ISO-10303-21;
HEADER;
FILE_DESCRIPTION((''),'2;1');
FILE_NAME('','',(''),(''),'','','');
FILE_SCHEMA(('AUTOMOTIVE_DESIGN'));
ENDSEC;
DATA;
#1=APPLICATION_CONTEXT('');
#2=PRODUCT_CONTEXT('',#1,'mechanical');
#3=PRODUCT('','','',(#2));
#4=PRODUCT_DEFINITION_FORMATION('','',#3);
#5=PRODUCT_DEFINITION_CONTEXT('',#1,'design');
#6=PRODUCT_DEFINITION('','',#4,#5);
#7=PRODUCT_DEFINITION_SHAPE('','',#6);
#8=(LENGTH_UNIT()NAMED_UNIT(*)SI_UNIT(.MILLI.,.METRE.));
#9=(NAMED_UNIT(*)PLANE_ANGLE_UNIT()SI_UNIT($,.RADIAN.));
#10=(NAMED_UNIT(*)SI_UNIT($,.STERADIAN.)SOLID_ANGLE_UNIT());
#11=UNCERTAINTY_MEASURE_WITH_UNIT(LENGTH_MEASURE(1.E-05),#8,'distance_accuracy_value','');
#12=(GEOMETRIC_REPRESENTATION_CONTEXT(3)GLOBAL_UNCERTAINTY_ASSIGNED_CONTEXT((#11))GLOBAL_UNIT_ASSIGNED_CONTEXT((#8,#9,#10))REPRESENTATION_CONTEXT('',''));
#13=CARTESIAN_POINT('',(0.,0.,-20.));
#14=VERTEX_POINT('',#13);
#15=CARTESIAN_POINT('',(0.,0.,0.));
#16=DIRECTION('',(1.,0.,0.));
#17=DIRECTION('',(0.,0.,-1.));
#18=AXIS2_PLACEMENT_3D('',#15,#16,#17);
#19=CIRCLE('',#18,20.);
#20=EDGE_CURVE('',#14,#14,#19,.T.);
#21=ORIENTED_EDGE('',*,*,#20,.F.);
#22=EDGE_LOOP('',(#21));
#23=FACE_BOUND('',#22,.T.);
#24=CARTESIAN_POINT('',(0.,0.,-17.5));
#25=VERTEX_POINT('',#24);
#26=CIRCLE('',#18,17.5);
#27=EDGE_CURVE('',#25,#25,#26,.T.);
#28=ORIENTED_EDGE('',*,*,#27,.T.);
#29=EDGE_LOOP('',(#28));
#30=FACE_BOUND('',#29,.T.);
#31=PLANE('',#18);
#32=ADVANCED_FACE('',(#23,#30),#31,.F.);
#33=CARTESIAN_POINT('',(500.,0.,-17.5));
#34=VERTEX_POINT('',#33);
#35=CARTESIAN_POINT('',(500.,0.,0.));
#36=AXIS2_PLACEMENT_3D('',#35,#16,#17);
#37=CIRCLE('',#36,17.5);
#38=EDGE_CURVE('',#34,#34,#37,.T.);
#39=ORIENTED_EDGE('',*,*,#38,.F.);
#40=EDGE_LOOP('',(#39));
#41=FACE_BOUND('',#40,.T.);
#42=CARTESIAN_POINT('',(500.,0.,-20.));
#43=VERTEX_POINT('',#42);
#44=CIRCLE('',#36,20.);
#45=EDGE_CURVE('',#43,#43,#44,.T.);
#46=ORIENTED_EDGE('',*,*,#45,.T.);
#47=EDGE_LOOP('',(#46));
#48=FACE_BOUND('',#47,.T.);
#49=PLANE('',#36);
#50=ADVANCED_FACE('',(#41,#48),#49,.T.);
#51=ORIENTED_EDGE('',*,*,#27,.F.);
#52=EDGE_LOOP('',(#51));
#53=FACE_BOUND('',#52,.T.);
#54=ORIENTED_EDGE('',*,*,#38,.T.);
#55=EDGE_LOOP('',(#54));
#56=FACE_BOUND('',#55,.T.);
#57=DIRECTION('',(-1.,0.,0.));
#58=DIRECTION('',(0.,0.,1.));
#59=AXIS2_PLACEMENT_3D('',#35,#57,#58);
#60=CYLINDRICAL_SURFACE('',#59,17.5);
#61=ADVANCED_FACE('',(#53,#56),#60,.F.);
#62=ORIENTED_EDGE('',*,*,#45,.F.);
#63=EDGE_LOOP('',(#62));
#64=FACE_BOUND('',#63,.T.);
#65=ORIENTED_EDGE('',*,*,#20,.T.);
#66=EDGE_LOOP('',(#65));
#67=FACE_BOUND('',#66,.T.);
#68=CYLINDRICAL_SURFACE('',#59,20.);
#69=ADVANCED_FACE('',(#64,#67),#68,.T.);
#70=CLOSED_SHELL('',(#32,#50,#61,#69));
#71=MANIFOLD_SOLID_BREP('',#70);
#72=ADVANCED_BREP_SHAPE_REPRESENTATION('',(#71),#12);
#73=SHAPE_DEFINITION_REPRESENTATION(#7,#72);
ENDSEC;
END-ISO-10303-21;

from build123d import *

# Parameters (mm, degrees)
SKETCH_1_R      = 20
SKETCH_1_R_2    = 17.5
EXTRUDE_1_DEPTH = 500


with BuildPart() as part:
    # 草图1 → 凸台-拉伸1 (new body)
    with BuildSketch(Plane(origin=(0, 0, 0), x_dir=(0, 0, -1), z_dir=(1, 0, 0))):
        Circle(SKETCH_1_R)
        Circle(SKETCH_1_R_2, mode=Mode.SUBTRACT)
    extrude(amount=EXTRUDE_1_DEPTH)


solid = part.part
